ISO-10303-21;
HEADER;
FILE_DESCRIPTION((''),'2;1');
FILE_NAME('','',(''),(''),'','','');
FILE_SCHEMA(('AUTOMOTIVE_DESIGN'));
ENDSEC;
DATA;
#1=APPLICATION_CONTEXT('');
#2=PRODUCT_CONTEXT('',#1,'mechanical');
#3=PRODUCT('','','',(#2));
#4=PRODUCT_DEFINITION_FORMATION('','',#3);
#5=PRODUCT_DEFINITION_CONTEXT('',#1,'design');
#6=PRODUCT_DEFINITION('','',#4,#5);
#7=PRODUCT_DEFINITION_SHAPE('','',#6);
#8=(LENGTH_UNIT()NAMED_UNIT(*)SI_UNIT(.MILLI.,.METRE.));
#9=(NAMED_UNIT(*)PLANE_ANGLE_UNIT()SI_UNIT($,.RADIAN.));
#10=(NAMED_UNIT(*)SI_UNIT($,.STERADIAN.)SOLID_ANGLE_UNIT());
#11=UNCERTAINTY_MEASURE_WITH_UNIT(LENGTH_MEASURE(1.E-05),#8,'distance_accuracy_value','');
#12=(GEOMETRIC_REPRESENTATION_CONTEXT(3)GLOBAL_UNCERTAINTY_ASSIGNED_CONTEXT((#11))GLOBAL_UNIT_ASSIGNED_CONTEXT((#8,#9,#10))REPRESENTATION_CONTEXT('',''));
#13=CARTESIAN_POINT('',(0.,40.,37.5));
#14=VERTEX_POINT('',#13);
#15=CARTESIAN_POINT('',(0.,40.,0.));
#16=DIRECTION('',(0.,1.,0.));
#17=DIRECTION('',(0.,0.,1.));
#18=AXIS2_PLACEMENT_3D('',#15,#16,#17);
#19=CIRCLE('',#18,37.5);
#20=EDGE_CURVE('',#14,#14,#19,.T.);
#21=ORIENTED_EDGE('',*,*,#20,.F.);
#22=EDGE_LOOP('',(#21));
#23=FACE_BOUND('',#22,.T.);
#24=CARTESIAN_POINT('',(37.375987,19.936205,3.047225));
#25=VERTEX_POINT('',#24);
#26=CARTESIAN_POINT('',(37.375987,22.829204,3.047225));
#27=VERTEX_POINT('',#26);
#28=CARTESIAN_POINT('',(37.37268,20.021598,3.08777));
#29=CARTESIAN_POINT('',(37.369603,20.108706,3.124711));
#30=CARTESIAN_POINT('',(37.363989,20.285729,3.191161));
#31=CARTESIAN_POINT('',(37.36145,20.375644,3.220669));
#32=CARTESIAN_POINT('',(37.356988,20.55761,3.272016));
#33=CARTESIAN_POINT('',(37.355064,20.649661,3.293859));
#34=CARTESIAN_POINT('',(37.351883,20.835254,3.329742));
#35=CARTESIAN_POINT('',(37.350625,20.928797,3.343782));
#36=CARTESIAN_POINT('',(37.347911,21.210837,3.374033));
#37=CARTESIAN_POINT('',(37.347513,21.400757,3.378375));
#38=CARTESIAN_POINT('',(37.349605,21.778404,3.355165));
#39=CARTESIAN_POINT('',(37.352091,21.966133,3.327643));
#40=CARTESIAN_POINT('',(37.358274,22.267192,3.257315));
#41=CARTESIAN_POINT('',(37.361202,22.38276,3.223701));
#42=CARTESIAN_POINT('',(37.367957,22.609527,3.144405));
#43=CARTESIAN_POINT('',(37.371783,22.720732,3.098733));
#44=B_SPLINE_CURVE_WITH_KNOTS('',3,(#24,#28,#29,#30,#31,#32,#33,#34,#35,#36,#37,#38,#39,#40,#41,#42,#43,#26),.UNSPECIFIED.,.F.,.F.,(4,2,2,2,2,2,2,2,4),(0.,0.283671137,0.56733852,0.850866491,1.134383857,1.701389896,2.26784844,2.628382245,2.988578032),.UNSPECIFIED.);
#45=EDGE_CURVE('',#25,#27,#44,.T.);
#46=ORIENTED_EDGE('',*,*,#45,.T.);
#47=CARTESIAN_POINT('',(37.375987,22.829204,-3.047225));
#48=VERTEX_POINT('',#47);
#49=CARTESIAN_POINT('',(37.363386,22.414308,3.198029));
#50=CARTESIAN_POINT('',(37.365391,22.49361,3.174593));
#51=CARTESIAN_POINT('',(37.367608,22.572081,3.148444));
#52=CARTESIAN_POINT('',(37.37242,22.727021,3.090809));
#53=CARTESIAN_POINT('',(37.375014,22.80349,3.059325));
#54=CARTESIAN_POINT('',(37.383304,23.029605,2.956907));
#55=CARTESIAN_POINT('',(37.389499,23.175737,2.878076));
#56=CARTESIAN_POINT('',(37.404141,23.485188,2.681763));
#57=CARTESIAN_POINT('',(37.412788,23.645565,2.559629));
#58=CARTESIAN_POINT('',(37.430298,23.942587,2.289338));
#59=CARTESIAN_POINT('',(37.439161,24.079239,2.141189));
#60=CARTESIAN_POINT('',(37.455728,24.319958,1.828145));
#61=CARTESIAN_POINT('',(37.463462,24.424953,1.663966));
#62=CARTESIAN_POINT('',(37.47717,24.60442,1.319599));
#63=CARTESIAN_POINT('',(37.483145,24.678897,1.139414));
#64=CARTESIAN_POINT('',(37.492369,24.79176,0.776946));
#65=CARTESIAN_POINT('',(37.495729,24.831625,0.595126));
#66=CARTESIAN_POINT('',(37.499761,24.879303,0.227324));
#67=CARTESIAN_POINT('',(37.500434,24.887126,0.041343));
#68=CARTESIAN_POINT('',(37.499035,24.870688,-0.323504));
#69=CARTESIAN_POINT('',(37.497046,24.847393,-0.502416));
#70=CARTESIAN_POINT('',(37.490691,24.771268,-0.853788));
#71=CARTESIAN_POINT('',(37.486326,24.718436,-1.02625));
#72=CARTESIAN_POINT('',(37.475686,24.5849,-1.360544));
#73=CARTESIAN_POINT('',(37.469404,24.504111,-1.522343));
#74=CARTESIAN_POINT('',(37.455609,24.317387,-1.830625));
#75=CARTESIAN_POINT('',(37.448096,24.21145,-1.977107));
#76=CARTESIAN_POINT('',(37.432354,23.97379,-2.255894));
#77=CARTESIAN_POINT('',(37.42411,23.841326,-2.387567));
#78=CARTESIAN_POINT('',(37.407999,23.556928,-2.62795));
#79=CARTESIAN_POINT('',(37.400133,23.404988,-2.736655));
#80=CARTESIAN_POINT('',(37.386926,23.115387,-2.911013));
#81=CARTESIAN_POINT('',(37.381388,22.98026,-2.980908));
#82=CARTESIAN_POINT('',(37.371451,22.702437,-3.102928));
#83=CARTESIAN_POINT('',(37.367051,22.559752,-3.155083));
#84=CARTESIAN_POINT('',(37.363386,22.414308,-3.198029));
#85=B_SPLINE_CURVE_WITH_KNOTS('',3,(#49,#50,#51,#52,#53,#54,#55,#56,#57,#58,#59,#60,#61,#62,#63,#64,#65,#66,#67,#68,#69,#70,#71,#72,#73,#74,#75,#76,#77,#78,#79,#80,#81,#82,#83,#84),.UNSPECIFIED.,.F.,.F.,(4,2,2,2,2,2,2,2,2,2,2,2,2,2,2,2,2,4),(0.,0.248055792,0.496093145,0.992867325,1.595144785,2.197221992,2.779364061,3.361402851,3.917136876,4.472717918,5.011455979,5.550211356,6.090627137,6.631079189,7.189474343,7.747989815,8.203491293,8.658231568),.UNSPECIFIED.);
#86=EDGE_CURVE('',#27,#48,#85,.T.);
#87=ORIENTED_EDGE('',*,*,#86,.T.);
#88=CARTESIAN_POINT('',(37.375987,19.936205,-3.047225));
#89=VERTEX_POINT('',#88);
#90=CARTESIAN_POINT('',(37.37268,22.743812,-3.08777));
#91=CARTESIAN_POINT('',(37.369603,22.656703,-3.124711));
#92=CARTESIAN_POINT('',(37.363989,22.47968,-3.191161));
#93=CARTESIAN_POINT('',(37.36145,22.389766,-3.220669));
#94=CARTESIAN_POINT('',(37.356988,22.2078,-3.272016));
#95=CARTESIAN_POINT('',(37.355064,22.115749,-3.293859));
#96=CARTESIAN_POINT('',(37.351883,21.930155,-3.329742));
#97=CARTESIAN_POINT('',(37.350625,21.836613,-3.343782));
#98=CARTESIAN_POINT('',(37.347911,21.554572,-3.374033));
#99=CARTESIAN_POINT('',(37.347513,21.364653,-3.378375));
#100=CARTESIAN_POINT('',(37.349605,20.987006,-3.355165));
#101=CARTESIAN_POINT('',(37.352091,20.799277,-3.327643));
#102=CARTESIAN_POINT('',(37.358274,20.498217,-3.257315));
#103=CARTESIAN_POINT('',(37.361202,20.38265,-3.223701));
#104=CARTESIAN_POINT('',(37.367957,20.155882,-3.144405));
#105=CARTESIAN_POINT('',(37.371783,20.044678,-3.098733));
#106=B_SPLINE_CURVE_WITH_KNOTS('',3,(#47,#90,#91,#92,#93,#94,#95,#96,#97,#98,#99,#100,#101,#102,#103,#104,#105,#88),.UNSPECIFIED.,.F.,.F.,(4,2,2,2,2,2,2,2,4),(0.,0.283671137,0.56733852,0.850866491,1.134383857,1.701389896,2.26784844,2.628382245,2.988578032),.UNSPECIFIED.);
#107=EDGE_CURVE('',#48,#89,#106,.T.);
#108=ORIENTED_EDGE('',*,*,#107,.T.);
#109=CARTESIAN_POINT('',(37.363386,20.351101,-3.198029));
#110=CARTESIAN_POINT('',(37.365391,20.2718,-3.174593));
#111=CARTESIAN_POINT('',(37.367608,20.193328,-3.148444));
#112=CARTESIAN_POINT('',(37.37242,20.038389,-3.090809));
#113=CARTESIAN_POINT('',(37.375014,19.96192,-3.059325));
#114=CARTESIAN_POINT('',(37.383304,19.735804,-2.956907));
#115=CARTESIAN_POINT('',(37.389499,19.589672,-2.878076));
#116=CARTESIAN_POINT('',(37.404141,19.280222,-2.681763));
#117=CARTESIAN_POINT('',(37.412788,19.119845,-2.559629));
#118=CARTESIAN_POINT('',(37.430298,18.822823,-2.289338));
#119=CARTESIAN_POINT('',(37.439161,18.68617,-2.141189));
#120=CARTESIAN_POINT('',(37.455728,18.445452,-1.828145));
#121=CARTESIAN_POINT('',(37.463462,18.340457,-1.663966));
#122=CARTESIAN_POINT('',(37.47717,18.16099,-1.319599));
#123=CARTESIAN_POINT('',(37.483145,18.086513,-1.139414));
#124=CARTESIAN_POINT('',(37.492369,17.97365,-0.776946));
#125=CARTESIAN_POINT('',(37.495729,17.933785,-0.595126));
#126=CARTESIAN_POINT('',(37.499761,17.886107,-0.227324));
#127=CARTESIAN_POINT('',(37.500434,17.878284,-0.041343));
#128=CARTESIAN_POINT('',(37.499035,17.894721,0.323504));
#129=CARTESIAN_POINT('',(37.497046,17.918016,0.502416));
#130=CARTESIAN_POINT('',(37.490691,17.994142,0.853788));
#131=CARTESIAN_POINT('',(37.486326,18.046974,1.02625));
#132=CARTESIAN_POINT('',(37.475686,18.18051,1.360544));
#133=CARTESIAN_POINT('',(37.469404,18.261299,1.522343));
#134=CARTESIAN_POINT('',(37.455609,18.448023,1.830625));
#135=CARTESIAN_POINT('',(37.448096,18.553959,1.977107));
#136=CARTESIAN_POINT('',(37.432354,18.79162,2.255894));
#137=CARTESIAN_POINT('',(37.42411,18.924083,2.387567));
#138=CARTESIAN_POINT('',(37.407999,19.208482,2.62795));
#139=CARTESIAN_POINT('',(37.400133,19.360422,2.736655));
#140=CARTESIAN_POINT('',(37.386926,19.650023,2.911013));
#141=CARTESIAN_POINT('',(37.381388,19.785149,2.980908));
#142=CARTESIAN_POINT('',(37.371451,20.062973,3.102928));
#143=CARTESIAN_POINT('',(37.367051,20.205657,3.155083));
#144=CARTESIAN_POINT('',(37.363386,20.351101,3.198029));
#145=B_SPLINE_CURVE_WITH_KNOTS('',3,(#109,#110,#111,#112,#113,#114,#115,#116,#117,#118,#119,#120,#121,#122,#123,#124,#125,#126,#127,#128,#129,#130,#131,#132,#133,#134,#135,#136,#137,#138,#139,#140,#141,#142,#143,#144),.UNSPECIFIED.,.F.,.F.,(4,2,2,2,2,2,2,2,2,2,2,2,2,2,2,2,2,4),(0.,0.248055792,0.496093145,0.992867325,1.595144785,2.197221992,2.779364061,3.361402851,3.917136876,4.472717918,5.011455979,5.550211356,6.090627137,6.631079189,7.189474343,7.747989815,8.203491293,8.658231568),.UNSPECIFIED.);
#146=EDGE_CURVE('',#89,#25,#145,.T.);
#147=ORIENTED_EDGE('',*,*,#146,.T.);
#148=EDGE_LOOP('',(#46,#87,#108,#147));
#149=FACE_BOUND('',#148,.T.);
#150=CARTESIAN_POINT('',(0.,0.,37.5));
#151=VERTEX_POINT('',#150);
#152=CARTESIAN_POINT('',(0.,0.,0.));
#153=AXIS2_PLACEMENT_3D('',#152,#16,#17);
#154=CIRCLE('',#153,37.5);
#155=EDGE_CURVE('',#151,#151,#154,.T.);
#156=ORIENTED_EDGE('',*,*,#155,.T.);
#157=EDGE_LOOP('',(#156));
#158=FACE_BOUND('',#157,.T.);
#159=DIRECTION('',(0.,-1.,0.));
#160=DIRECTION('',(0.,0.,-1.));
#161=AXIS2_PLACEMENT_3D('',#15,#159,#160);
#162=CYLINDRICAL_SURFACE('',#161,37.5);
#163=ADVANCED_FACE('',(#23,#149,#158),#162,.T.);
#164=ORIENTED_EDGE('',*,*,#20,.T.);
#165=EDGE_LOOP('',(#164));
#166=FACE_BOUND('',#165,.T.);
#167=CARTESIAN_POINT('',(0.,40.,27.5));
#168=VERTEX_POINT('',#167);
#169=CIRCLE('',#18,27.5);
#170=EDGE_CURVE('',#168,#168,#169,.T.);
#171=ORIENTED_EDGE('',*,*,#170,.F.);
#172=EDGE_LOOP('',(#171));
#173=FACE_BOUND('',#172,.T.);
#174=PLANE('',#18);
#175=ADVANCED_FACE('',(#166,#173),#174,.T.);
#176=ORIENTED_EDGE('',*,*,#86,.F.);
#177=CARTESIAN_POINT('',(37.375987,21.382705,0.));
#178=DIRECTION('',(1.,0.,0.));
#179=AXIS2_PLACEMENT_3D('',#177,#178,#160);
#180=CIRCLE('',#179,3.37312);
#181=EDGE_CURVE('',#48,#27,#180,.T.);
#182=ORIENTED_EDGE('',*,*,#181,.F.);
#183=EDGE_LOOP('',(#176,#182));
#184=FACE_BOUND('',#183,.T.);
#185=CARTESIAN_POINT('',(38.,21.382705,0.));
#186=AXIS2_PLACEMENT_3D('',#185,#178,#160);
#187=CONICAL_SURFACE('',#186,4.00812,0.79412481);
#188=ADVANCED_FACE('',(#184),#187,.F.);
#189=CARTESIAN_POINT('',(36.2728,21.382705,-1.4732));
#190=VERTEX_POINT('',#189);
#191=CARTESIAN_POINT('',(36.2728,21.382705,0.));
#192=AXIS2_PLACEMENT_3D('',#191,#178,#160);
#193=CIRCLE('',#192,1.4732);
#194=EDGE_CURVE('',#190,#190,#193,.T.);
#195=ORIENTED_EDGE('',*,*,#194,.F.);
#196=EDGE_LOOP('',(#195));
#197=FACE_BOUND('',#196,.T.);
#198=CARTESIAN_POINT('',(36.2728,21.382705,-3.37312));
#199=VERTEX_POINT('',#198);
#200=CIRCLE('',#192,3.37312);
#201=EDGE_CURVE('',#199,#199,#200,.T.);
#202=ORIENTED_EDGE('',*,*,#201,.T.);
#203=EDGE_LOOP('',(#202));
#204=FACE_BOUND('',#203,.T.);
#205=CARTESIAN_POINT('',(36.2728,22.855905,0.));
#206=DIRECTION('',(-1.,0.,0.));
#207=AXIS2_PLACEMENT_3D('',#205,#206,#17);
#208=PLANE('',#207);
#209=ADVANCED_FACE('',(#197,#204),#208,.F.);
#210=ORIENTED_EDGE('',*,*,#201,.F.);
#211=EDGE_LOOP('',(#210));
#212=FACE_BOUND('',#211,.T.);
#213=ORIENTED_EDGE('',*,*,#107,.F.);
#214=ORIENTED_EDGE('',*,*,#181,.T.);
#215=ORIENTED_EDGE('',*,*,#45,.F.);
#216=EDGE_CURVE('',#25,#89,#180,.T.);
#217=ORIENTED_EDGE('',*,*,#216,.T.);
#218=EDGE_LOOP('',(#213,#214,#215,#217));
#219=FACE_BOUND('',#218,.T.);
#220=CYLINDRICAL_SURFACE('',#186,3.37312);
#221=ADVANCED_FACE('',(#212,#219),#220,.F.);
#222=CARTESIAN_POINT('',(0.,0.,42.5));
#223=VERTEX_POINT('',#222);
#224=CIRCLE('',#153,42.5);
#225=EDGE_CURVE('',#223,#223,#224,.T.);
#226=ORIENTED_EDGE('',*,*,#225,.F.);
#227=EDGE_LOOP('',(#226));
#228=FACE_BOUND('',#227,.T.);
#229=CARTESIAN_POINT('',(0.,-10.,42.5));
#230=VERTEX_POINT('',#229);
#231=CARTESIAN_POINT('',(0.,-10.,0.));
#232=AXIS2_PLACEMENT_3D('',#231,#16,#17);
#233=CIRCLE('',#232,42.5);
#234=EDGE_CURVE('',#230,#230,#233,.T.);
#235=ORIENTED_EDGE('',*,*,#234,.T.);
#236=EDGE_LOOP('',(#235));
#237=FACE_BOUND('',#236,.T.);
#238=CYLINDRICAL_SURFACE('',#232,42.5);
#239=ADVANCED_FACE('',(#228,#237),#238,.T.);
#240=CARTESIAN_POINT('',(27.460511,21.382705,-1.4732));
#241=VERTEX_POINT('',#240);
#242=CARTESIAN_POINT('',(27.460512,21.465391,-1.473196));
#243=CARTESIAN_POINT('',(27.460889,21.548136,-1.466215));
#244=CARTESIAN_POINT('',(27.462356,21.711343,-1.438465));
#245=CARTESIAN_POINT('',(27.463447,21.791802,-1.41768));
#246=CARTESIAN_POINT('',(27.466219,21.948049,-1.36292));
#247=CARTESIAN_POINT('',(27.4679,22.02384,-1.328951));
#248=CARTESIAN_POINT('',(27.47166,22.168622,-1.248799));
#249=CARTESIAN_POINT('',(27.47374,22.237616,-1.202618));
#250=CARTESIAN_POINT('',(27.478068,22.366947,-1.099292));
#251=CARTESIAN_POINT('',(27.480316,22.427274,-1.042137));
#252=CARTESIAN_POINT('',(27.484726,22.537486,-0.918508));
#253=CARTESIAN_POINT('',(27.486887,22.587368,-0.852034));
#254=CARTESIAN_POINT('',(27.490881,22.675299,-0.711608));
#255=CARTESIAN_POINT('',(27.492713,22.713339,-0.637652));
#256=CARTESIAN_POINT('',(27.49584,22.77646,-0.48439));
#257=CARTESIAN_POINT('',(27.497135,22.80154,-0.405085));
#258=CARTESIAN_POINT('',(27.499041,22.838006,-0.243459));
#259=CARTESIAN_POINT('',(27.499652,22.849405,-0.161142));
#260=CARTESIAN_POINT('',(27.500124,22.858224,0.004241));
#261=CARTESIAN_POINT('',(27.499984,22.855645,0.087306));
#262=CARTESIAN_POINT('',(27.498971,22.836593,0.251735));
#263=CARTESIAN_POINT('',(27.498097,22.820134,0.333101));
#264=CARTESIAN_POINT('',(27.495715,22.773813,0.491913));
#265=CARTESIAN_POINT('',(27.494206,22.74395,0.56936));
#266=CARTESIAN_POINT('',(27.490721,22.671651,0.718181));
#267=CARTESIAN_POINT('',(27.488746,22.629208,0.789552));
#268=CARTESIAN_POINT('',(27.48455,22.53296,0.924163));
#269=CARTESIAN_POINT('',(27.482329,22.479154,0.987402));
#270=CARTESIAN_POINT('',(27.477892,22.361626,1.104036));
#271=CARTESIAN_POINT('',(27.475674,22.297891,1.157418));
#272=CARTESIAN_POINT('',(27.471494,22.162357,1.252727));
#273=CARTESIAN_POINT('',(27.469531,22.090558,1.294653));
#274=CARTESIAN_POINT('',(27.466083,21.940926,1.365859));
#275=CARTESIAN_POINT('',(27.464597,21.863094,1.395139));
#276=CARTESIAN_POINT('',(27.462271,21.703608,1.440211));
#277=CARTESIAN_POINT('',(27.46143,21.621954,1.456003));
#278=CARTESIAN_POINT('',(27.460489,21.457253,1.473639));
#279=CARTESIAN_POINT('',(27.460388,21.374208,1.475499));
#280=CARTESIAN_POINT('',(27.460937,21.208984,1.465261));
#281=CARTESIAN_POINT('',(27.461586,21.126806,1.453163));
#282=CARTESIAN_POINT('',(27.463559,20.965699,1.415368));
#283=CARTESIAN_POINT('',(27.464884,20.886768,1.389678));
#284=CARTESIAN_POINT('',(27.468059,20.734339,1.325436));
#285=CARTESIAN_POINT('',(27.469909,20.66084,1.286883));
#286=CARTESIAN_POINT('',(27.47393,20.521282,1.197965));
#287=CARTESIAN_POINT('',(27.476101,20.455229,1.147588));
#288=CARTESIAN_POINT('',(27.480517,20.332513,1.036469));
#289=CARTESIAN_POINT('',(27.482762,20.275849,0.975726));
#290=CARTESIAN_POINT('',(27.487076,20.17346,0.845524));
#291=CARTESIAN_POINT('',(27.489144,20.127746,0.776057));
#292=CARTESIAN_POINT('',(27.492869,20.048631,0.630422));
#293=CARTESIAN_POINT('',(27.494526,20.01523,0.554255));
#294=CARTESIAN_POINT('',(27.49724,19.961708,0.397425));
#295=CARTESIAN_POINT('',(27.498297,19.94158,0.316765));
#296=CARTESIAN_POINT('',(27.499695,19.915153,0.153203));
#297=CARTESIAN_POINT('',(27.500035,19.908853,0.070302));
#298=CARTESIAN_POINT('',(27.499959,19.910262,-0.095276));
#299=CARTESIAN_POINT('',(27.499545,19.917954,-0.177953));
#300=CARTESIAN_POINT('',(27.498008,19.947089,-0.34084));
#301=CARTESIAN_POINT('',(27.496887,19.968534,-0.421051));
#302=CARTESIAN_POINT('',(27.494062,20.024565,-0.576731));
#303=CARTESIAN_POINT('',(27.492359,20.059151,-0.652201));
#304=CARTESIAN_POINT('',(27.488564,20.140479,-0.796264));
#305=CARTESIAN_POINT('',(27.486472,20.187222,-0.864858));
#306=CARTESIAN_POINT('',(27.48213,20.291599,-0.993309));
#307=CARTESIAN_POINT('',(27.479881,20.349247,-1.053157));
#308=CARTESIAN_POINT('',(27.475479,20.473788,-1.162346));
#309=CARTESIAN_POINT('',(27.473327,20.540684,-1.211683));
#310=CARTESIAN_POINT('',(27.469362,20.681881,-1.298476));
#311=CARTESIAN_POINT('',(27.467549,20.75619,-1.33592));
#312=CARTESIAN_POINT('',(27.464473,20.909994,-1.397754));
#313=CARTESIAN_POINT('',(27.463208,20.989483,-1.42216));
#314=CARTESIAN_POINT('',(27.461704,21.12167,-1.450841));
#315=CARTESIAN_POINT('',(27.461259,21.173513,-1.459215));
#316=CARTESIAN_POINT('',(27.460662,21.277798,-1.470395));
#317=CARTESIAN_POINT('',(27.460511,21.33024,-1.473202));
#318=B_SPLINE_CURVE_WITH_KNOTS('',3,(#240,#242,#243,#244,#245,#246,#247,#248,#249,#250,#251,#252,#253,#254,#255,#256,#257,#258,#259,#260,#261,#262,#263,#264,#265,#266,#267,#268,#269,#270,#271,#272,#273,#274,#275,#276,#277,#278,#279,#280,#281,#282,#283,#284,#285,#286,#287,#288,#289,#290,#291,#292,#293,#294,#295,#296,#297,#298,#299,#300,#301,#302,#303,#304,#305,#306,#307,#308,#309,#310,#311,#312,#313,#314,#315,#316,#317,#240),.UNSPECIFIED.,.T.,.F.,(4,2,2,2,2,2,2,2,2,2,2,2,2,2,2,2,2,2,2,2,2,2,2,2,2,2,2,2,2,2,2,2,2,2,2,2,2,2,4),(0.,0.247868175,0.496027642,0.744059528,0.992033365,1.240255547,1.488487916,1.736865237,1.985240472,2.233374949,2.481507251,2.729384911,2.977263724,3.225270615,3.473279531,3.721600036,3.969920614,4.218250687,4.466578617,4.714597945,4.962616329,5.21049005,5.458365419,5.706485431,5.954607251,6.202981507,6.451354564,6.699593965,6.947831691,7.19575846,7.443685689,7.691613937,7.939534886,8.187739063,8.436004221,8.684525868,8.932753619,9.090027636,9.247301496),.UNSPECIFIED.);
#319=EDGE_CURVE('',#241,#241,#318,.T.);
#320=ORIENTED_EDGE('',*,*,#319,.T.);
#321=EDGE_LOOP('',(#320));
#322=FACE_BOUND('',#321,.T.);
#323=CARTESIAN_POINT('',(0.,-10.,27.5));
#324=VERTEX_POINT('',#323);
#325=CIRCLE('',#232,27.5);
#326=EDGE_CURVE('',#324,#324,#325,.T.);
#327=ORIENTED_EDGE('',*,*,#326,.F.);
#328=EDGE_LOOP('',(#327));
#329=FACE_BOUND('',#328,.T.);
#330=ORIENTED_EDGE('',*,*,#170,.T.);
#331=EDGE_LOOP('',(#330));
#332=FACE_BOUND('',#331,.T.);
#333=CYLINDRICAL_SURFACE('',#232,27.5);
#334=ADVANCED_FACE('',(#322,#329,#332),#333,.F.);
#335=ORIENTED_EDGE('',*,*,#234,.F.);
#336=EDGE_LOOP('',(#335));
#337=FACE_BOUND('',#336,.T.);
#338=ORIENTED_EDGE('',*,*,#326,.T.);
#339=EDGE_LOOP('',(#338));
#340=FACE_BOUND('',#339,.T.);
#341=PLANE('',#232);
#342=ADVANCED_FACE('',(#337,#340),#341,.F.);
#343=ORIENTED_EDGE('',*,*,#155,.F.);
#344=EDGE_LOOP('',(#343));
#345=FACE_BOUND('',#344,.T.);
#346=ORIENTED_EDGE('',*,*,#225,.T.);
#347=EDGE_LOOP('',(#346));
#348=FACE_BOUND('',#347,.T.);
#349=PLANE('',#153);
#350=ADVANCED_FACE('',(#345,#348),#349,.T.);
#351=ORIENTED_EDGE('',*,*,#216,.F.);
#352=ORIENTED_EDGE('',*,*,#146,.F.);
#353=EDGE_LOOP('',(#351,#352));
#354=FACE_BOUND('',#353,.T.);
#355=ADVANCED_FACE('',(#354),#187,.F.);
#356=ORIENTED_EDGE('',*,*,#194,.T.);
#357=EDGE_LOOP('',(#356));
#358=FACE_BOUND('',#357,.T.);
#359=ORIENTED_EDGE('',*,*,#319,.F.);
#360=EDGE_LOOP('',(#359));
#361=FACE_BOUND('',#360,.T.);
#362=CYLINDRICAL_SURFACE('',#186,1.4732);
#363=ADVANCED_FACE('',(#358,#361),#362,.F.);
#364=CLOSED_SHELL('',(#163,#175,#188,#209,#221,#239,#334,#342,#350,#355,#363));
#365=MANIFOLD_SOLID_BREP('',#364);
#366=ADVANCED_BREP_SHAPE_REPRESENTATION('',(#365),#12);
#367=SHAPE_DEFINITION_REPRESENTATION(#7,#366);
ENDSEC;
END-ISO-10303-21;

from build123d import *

# Parameters (mm, degrees)
SKETCH1_R               = 37.5
BOSS_EXTRUDE1_DEPTH     = 40
SKETCH2_R               = 42.5
BOSS_EXTRUDE2_DEPTH     = 10
CUT_EXTRUDE1_DEPTH      = 40
CUT_EXTRUDE1_DEPTH_BACK = 10
SKETCH3_R               = 27.5


with BuildPart() as part:
    # Sketch1 → Boss-Extrude1 (new body)
    with BuildSketch(Plane(origin=(0, 0, 0), x_dir=(1, 0, 0), z_dir=(0, 1, 0))):
        with Locations(Location((0, 0, 0), (0, 0, 270))):
            Circle(SKETCH1_R)
    extrude(amount=BOSS_EXTRUDE1_DEPTH)

    # Sketch2 → Boss-Extrude2 (add)
    with BuildSketch(Plane(origin=(0, 0, 0), x_dir=(1, 0, 0), z_dir=(0, 1, 0))):
        with Locations(Location((0, 0, 0), (0, 0, 270))):
            Circle(SKETCH2_R)
    extrude(amount=-BOSS_EXTRUDE2_DEPTH)

    # Sketch3 → Cut-Extrude1 (cut, two sides: drawn at the far end of the back side and taken through both)
    with BuildSketch(Plane(origin=(0, 0, 0), x_dir=(1, 0, 0), z_dir=(0, 1, 0)).offset(-CUT_EXTRUDE1_DEPTH_BACK)):
        with Locations(Location((0, 0, 0), (0, 0, 270))):
            Circle(SKETCH3_R)
    extrude(amount=CUT_EXTRUDE1_DEPTH + CUT_EXTRUDE1_DEPTH_BACK, mode=Mode.SUBTRACT)

    # Sketch12 → CBORE for #4 Binding Head Machine Screw1 (revolve, cut)
    with BuildSketch(Plane(origin=(38, 21.382704805, 0), x_dir=(0, 0, -1), z_dir=(0, 1, 0))):
        Polygon((0, 0), (0, 18.885187864), (1.4732, 18), (1.4732, 1.7272), (3.37312, 1.7272), (3.37312, 0.624012762), (4.00812, 0), align=None)
    revolve(axis=Axis((44.35, 21.382704805, 0), (-1, 0, 0)), mode=Mode.SUBTRACT)


solid = part.part
